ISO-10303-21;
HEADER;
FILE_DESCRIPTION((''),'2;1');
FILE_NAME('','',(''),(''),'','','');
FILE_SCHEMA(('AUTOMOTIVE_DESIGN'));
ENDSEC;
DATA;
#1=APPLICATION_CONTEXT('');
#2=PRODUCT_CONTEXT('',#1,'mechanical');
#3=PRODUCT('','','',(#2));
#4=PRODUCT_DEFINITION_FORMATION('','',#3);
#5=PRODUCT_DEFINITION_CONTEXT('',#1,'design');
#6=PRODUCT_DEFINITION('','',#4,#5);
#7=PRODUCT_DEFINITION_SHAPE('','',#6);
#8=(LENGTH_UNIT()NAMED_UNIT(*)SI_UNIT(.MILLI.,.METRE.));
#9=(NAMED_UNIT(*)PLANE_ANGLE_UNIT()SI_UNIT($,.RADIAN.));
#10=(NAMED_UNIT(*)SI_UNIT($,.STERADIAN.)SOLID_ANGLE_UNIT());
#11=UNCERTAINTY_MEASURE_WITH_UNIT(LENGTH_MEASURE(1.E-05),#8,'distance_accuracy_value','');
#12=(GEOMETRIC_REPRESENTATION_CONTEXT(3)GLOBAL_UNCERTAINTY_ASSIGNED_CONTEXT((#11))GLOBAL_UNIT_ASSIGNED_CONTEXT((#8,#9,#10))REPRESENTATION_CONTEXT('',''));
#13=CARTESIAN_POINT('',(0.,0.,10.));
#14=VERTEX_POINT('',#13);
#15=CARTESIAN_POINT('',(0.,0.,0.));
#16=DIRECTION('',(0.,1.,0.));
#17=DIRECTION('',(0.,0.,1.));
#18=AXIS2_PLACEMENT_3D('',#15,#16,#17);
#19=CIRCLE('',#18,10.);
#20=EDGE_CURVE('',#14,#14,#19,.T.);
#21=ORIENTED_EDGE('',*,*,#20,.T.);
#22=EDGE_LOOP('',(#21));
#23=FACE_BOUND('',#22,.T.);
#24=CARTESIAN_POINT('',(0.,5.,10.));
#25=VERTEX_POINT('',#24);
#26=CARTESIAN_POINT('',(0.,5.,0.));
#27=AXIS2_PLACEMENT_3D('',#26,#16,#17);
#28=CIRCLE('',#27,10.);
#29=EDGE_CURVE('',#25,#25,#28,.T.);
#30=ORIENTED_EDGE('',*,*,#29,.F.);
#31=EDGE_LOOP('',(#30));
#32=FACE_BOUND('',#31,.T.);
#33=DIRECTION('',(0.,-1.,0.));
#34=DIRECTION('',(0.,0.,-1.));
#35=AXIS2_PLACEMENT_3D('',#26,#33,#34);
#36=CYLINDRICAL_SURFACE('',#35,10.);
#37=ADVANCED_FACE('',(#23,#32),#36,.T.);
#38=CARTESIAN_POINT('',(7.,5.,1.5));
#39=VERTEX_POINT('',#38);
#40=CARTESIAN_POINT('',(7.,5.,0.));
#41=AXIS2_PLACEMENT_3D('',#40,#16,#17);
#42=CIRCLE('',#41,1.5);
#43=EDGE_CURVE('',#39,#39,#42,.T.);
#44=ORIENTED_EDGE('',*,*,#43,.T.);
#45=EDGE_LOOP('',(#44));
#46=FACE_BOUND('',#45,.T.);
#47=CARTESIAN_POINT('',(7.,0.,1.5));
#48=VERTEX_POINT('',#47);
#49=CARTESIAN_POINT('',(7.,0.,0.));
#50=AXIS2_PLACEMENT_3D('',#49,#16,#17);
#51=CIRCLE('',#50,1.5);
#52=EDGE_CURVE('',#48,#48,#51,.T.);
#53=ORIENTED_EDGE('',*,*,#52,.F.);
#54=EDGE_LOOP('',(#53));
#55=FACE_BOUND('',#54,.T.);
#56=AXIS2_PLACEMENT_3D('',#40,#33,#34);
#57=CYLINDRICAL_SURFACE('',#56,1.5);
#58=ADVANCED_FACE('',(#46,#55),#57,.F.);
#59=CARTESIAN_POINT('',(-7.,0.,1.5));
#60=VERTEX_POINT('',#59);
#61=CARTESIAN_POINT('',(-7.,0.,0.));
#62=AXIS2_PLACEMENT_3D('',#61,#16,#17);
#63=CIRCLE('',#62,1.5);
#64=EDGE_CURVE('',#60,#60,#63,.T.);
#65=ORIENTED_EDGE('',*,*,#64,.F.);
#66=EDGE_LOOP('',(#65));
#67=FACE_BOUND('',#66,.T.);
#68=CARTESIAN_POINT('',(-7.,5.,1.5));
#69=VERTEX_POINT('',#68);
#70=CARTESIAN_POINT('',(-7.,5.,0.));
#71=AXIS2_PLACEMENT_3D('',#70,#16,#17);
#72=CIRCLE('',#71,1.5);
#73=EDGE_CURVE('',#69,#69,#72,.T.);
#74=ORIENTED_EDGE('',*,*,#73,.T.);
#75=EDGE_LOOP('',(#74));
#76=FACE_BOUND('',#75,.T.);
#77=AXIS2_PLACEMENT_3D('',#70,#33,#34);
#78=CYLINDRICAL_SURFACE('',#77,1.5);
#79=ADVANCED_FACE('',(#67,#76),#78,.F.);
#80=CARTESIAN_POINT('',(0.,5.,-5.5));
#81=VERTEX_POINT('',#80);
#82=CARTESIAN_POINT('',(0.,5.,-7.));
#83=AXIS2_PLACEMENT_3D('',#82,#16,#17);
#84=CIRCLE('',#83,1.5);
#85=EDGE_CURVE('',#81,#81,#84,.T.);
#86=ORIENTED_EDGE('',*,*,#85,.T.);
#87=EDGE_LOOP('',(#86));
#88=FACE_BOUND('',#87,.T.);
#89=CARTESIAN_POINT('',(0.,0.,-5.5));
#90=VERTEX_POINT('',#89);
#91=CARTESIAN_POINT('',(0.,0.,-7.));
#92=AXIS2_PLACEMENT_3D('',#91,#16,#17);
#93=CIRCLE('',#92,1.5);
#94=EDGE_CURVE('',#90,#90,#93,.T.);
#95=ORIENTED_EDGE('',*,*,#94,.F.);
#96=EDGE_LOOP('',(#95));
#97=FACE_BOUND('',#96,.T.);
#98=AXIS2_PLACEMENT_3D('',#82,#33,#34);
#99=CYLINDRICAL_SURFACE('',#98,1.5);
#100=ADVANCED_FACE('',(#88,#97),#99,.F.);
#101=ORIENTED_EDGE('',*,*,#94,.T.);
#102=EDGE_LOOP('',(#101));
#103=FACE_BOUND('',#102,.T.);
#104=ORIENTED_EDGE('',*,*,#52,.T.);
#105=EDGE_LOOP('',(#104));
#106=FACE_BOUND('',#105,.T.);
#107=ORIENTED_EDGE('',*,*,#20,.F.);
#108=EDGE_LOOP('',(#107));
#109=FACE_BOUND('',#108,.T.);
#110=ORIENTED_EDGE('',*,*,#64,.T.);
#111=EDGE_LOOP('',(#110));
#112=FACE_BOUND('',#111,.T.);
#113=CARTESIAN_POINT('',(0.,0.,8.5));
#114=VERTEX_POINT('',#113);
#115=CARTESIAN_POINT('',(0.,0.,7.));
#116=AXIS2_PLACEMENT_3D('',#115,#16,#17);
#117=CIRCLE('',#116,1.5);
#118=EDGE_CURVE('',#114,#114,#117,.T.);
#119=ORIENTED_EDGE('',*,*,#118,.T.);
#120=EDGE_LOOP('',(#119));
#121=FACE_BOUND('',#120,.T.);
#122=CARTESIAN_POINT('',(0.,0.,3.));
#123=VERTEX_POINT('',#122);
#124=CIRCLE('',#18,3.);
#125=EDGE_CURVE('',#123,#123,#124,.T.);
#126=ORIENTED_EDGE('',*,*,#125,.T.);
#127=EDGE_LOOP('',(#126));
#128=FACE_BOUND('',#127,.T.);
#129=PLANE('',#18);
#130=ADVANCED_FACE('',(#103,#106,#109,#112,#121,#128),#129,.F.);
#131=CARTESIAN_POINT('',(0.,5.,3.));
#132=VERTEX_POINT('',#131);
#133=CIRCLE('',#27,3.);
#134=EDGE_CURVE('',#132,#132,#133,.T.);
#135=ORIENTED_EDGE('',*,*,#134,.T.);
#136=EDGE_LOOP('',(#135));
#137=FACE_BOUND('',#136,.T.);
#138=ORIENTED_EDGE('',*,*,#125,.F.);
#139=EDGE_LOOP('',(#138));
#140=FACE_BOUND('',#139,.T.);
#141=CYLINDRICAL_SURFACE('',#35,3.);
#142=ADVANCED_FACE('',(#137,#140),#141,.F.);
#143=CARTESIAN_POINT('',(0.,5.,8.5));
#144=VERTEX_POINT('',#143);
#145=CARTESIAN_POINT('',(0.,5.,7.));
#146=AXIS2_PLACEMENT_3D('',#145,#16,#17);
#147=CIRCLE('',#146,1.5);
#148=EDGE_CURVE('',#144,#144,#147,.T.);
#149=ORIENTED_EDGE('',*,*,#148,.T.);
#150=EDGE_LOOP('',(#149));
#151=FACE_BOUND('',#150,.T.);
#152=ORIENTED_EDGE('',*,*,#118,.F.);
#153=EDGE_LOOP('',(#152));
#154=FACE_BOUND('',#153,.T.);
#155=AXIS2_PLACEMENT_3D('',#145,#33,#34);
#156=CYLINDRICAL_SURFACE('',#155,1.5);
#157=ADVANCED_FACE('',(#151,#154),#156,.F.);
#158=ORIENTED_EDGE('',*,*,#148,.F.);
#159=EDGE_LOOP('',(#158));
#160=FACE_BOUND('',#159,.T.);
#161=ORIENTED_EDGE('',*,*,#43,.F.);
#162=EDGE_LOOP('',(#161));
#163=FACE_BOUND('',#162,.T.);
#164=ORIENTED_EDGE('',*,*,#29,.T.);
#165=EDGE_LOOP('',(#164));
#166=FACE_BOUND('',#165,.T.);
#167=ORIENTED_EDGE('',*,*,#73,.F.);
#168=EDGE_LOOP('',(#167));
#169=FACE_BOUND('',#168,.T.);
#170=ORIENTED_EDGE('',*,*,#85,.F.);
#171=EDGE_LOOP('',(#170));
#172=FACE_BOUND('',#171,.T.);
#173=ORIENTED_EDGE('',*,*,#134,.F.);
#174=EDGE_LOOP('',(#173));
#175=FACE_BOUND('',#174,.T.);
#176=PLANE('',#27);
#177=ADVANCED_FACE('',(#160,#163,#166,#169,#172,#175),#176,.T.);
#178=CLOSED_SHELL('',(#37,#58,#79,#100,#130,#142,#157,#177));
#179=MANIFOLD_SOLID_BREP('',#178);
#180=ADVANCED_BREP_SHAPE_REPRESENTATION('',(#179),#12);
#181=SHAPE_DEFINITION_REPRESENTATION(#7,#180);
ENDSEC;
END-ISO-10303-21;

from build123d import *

# Parameters (mm, degrees)
SKETCH_1_R      = 10
SKETCH_1_R_2    = 1.5
SKETCH_1_R_3    = 3
EXTRUDE_1_DEPTH = 5


with BuildPart() as part:
    # Эскиз1 → Бобышка-Вытянуть1 (new body)
    with BuildSketch(Plane(origin=(0, 0, 0), x_dir=(1, 0, 0), z_dir=(0, 1, 0))):
        with Locations(Location((0, 0, 0), (0, 0, 270))):
            Circle(SKETCH_1_R)
        with Locations(Location((-7, 0, 0), (0, 0, 270))):
            Circle(SKETCH_1_R_2, mode=Mode.SUBTRACT)
        with Locations(Location((0, 7, 0), (0, 0, 270))):
            Circle(SKETCH_1_R_2, mode=Mode.SUBTRACT)
        with Locations(Location((7, 0, 0), (0, 0, 270))):
            Circle(SKETCH_1_R_2, mode=Mode.SUBTRACT)
        with Locations(Location((0, -7, 0), (0, 0, 270))):
            Circle(SKETCH_1_R_2, mode=Mode.SUBTRACT)
        with Locations(Location((0, 0, 0), (0, 0, 270))):
            Circle(SKETCH_1_R_3, mode=Mode.SUBTRACT)
    extrude(amount=EXTRUDE_1_DEPTH)


solid = part.part
